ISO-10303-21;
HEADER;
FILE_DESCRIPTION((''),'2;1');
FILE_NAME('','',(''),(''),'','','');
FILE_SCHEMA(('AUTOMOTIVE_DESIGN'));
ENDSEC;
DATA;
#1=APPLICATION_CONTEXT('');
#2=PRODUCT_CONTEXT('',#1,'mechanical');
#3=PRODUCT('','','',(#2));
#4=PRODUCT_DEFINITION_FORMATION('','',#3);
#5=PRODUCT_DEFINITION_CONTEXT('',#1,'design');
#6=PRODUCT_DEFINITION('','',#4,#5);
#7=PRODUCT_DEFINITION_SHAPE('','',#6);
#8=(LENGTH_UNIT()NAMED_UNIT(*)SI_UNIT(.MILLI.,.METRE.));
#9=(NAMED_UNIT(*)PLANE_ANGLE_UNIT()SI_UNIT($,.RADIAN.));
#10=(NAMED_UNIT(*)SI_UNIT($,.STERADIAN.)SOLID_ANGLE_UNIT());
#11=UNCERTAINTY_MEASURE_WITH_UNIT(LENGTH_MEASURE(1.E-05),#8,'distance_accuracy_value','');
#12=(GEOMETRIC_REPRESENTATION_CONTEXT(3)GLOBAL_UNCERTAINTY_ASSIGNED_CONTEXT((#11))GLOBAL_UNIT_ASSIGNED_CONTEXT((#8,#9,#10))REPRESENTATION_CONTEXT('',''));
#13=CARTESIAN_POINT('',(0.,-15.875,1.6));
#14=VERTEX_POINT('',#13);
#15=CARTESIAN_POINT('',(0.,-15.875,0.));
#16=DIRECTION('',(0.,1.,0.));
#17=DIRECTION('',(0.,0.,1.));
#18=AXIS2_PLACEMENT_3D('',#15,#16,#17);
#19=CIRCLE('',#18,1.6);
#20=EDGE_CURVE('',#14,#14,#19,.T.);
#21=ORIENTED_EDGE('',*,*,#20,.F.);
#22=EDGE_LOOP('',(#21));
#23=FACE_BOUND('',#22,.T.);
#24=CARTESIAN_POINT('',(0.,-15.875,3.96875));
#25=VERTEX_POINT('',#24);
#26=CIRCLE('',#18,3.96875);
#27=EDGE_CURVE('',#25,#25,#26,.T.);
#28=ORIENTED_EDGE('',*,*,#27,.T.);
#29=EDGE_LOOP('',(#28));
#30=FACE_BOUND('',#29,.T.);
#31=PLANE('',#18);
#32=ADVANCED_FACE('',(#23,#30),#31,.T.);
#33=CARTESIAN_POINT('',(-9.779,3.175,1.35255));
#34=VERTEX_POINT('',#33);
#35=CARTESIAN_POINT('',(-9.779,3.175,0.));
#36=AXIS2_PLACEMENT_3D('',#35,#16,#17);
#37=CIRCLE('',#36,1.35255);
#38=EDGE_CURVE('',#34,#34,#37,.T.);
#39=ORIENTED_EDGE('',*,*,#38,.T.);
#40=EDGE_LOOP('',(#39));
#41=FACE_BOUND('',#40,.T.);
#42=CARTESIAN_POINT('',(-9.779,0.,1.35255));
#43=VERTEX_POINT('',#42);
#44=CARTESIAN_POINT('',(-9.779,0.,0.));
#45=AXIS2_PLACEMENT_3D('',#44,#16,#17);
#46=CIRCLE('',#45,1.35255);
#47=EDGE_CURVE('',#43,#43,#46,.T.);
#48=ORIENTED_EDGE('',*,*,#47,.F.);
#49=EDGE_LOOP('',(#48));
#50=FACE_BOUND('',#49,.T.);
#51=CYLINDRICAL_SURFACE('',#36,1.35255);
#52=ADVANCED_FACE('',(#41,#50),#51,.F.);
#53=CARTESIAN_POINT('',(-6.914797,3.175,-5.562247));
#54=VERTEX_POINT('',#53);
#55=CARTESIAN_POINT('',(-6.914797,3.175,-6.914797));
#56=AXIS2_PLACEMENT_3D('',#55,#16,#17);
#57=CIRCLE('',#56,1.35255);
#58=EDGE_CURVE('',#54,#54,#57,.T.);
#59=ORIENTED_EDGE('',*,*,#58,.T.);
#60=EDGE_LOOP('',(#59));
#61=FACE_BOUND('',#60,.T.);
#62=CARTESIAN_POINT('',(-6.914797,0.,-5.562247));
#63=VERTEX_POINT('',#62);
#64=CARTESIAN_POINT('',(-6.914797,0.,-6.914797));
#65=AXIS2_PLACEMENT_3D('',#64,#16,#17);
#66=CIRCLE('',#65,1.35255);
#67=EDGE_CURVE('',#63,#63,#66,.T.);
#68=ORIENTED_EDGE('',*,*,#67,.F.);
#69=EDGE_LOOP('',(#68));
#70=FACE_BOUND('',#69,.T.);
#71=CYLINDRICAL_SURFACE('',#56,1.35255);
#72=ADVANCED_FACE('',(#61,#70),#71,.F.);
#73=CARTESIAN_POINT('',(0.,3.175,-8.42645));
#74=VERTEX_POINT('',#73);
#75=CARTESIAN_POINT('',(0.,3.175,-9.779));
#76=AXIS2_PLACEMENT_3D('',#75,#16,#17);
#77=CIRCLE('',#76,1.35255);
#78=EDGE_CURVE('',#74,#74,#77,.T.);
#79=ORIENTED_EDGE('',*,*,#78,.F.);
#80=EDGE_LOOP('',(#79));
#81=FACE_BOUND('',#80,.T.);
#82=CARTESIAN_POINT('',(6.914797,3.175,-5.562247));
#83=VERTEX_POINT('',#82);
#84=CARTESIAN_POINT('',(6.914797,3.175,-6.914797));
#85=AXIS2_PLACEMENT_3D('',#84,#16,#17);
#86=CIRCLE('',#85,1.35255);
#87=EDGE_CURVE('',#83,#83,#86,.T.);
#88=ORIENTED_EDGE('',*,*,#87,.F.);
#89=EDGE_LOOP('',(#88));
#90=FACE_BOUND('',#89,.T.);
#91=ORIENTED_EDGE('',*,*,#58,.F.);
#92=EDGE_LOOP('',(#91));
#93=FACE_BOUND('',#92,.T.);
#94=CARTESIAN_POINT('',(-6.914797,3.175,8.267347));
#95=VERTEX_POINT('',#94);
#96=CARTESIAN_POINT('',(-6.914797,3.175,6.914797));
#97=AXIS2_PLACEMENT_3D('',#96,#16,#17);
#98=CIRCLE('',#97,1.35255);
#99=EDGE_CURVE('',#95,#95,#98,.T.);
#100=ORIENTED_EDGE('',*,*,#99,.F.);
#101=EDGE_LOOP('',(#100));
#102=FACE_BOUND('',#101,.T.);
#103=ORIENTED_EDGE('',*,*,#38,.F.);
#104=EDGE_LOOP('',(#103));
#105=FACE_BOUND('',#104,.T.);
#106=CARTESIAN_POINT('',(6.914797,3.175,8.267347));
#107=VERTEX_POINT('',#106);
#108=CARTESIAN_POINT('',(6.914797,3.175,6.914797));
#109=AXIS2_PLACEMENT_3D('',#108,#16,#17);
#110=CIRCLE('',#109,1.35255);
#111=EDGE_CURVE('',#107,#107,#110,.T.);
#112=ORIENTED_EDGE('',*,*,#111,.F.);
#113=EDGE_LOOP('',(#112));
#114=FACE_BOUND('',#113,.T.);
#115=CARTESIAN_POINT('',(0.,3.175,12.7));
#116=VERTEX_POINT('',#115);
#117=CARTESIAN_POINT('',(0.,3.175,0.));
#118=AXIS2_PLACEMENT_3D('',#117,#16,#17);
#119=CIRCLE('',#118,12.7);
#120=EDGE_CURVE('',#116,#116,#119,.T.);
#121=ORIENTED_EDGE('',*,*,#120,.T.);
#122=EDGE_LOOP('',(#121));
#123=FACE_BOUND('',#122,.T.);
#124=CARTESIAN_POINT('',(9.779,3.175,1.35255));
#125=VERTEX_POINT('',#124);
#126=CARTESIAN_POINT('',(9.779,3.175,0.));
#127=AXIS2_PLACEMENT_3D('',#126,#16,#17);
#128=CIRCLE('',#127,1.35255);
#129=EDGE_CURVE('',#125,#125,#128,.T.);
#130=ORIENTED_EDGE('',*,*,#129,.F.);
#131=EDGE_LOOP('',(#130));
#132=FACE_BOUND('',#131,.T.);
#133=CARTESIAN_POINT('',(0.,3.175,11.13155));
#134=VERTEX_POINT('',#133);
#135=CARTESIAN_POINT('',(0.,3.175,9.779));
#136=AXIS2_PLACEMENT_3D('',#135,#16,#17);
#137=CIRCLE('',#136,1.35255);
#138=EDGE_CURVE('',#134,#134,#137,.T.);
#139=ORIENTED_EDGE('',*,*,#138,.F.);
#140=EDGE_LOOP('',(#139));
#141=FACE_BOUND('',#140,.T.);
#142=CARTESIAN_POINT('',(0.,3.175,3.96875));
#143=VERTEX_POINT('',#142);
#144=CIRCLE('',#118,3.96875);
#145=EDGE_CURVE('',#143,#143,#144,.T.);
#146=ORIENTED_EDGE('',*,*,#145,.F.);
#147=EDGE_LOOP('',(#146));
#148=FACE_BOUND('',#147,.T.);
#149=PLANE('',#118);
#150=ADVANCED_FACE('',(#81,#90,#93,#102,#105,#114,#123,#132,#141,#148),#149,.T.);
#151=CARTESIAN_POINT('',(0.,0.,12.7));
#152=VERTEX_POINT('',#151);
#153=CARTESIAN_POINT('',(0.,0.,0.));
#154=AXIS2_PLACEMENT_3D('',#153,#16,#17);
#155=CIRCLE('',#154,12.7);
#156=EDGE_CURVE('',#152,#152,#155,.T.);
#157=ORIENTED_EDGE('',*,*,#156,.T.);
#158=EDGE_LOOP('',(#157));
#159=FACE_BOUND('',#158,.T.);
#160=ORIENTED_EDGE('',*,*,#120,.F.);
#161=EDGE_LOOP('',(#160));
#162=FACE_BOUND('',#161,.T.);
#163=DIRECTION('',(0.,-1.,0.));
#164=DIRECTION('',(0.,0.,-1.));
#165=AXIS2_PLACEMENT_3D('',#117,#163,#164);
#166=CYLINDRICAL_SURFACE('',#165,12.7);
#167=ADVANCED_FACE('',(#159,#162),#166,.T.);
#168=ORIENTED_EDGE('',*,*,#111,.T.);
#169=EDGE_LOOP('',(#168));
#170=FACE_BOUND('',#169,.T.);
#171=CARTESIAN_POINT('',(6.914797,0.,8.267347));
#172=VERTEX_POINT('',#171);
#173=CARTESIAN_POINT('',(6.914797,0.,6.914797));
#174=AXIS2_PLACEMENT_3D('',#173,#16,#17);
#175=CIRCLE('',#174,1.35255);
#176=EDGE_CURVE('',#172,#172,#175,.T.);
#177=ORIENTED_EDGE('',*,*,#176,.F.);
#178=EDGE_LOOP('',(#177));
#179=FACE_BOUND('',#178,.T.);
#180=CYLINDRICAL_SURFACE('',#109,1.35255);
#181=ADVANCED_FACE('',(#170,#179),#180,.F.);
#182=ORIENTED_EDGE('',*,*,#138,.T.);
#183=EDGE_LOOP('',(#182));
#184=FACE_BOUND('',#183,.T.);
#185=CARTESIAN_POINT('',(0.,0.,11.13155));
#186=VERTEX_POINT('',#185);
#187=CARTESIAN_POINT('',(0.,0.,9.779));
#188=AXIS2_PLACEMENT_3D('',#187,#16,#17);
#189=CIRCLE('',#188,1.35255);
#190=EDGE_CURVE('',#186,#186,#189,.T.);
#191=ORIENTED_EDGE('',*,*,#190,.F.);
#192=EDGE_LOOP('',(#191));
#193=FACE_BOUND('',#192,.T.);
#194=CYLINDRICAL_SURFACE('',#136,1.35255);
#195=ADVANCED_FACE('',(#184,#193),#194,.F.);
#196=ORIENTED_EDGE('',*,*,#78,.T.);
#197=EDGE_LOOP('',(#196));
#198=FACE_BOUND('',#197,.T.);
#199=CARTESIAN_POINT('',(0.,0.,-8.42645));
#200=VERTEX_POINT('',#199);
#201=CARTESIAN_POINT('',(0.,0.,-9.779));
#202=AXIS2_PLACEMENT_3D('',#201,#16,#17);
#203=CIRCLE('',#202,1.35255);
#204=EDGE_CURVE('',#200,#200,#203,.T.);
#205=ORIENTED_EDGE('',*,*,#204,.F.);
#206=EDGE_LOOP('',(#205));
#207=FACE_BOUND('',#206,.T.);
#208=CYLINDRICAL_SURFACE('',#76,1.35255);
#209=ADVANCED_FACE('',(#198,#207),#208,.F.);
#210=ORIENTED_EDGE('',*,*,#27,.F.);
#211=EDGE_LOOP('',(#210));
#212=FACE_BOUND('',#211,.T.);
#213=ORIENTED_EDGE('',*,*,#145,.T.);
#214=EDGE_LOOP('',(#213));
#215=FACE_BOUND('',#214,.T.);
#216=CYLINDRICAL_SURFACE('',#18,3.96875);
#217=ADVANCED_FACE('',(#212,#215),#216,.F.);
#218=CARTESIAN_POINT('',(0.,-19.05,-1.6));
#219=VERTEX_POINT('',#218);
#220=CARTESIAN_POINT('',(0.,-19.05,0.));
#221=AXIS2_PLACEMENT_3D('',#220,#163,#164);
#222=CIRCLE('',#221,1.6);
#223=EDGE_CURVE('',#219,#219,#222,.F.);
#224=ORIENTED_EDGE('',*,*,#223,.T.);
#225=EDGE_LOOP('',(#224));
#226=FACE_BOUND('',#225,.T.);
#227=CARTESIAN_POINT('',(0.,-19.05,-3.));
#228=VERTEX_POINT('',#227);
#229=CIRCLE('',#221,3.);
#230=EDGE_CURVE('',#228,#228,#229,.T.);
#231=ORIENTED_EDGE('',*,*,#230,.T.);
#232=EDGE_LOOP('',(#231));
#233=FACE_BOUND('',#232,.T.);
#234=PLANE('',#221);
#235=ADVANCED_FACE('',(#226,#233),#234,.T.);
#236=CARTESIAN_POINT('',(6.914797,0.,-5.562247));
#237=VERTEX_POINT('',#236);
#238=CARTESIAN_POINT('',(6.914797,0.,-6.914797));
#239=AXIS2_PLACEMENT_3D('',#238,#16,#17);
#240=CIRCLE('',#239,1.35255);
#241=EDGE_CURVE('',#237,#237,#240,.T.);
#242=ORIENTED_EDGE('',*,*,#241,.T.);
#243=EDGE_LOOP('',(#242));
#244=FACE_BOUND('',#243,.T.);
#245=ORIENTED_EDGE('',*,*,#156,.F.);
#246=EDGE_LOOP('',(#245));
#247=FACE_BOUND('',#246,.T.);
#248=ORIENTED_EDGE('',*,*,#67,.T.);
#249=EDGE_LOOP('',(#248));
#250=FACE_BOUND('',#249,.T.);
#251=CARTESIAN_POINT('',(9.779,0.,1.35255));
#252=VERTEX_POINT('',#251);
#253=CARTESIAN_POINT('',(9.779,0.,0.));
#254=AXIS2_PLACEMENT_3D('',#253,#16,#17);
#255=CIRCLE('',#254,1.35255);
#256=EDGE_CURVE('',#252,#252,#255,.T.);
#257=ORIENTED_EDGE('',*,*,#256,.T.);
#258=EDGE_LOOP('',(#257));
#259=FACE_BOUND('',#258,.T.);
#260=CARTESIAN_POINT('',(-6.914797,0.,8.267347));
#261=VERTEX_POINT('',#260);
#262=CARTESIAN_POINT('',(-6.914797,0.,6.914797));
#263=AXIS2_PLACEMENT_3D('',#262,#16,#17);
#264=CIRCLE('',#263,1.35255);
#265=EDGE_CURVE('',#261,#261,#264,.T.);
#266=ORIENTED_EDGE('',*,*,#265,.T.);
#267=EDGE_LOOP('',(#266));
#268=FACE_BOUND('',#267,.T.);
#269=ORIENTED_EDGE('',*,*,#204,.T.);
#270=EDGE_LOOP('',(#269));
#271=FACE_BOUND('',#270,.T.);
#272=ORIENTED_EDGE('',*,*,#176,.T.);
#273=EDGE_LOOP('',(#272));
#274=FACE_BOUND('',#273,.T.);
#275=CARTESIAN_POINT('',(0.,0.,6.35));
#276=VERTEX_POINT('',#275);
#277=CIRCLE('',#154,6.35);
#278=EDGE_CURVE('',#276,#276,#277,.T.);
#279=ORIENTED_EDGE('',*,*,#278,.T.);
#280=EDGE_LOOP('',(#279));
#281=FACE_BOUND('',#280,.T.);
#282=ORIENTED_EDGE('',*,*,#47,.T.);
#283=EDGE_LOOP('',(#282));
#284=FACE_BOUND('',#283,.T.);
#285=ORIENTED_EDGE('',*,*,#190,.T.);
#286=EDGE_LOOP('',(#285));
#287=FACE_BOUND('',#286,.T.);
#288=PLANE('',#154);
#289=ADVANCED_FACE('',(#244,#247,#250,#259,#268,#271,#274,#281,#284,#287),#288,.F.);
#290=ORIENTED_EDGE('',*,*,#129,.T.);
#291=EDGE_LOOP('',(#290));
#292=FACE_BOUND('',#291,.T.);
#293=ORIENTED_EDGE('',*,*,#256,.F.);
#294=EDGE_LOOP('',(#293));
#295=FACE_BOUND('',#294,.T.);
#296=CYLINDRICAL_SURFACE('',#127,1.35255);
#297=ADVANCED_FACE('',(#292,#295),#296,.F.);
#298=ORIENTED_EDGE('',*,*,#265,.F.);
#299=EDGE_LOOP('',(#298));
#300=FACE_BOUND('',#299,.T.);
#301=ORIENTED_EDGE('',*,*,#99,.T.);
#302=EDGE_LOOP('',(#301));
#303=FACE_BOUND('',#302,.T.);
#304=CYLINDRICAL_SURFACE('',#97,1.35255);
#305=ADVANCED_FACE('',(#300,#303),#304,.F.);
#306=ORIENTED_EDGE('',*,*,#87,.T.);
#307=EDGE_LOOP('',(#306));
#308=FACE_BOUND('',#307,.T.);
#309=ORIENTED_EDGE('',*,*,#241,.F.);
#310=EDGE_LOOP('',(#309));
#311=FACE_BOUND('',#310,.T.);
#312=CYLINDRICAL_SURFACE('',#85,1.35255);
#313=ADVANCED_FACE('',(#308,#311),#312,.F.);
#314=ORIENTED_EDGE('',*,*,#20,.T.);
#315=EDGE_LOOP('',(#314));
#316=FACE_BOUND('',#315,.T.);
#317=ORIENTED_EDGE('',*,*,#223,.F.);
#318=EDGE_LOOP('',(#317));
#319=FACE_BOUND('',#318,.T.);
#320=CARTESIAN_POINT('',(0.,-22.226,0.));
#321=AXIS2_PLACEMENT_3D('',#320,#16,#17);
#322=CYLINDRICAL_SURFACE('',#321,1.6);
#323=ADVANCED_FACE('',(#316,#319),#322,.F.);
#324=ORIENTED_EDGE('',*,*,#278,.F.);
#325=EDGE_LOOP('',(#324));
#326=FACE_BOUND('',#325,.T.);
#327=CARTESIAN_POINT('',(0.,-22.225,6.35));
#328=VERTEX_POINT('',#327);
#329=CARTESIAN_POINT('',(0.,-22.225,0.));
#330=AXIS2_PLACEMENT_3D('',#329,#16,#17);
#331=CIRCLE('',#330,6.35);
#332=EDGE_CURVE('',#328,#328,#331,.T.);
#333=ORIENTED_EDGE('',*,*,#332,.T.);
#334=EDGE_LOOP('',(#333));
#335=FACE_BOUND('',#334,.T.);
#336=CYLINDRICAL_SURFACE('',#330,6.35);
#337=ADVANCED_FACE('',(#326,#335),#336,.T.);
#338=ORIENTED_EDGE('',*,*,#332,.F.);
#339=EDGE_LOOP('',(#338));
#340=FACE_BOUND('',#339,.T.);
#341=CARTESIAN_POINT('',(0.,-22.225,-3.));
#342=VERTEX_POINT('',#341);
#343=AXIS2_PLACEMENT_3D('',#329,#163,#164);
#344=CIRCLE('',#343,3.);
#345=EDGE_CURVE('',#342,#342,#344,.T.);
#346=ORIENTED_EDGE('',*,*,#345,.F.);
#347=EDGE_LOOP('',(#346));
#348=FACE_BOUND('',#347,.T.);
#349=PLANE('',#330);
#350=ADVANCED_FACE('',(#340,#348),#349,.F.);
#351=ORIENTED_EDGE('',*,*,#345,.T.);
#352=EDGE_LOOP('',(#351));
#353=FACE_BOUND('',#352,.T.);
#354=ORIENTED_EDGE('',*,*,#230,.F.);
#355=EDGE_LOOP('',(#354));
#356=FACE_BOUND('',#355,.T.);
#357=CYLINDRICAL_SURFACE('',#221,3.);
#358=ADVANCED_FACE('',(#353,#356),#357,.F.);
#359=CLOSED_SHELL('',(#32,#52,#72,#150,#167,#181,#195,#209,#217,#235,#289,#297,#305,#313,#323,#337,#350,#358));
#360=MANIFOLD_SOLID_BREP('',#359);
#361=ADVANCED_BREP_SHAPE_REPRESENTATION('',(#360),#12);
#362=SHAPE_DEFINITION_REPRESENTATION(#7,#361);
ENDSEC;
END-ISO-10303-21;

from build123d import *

# Parameters (mm, degrees)
SKETCH1_R                 = 12.7
BOSS_EXTRUDE1_DEPTH       = 3.175
SKETCH2_R                 = 6.35
BOSS_EXTRUDE2_DEPTH       = 22.225
SKETCH3_R                 = 3
CUT_EXTRUDE1_DEPTH        = 3.175
SKETCH4_R                 = 3.96875
CUT_EXTRUDE2_DEPTH        = 19.05
CUT_EXTRUDE3_REACH        = 8.35
SKETCH5_R                 = 1.6
F_6_32_TAPPED_HOLE1_D     = 2.7051
F_6_32_TAPPED_HOLE1_DEPTH = 3.175


with BuildPart() as part:
    # Sketch1 → Boss-Extrude1 (new body)
    with BuildSketch(Plane(origin=(0, 0, 0), x_dir=(1, 0, 0), z_dir=(0, 1, 0))):
        Circle(SKETCH1_R)
    extrude(amount=BOSS_EXTRUDE1_DEPTH)

    # Sketch2 → Boss-Extrude2 (add)
    with BuildSketch(Plane(origin=(0, 0, 0), x_dir=(1, 0, 0), z_dir=(0, 1, 0))):
        Circle(SKETCH2_R)
    extrude(amount=-BOSS_EXTRUDE2_DEPTH)

    # Sketch3 → Cut-Extrude1 (cut)
    with BuildSketch(Plane.XZ.offset(22.225)):
        Circle(SKETCH3_R)
    extrude(amount=-CUT_EXTRUDE1_DEPTH, mode=Mode.SUBTRACT)

    # Sketch4 → Cut-Extrude2 (cut)
    with BuildSketch(Plane(origin=(0, 3.175, 0), x_dir=(1, 0, 0), z_dir=(0, 1, 0))):
        Circle(SKETCH4_R)
    extrude(amount=-CUT_EXTRUDE2_DEPTH, mode=Mode.SUBTRACT)

    # Sketch5 → Cut-Extrude3 (cut, up to next)
    with BuildSketch(Plane(origin=(0, -15.875, 0), x_dir=(1, 0, 0), z_dir=(0, 1, 0)), mode=Mode.PRIVATE) as cut_extrude3_sk1:
        Circle(SKETCH5_R)
    cut_extrude3_tool1 = extrude(cut_extrude3_sk1.sketch, amount=-CUT_EXTRUDE3_REACH, mode=Mode.PRIVATE) & part.part
    add(cut_extrude3_tool1.solids().sort_by_distance((0, -15.875, 0))[0], mode=Mode.SUBTRACT)

    # #6-32 Tapped Hole1
    with Locations(Plane(origin=(0, 3.175, 0), x_dir=(-1, 0, 0), z_dir=(0, 1, 0))):
        with Locations((0, -9.779), (-6.914797213, -6.914797213), (-9.779, 0), (-6.914797213, 6.914797213), (0, 9.779), (6.914797213, 6.914797213), (9.779, 0), (6.914797213, -6.914797213)):
            Hole(F_6_32_TAPPED_HOLE1_D / 2, depth=F_6_32_TAPPED_HOLE1_DEPTH)


solid = part.part
